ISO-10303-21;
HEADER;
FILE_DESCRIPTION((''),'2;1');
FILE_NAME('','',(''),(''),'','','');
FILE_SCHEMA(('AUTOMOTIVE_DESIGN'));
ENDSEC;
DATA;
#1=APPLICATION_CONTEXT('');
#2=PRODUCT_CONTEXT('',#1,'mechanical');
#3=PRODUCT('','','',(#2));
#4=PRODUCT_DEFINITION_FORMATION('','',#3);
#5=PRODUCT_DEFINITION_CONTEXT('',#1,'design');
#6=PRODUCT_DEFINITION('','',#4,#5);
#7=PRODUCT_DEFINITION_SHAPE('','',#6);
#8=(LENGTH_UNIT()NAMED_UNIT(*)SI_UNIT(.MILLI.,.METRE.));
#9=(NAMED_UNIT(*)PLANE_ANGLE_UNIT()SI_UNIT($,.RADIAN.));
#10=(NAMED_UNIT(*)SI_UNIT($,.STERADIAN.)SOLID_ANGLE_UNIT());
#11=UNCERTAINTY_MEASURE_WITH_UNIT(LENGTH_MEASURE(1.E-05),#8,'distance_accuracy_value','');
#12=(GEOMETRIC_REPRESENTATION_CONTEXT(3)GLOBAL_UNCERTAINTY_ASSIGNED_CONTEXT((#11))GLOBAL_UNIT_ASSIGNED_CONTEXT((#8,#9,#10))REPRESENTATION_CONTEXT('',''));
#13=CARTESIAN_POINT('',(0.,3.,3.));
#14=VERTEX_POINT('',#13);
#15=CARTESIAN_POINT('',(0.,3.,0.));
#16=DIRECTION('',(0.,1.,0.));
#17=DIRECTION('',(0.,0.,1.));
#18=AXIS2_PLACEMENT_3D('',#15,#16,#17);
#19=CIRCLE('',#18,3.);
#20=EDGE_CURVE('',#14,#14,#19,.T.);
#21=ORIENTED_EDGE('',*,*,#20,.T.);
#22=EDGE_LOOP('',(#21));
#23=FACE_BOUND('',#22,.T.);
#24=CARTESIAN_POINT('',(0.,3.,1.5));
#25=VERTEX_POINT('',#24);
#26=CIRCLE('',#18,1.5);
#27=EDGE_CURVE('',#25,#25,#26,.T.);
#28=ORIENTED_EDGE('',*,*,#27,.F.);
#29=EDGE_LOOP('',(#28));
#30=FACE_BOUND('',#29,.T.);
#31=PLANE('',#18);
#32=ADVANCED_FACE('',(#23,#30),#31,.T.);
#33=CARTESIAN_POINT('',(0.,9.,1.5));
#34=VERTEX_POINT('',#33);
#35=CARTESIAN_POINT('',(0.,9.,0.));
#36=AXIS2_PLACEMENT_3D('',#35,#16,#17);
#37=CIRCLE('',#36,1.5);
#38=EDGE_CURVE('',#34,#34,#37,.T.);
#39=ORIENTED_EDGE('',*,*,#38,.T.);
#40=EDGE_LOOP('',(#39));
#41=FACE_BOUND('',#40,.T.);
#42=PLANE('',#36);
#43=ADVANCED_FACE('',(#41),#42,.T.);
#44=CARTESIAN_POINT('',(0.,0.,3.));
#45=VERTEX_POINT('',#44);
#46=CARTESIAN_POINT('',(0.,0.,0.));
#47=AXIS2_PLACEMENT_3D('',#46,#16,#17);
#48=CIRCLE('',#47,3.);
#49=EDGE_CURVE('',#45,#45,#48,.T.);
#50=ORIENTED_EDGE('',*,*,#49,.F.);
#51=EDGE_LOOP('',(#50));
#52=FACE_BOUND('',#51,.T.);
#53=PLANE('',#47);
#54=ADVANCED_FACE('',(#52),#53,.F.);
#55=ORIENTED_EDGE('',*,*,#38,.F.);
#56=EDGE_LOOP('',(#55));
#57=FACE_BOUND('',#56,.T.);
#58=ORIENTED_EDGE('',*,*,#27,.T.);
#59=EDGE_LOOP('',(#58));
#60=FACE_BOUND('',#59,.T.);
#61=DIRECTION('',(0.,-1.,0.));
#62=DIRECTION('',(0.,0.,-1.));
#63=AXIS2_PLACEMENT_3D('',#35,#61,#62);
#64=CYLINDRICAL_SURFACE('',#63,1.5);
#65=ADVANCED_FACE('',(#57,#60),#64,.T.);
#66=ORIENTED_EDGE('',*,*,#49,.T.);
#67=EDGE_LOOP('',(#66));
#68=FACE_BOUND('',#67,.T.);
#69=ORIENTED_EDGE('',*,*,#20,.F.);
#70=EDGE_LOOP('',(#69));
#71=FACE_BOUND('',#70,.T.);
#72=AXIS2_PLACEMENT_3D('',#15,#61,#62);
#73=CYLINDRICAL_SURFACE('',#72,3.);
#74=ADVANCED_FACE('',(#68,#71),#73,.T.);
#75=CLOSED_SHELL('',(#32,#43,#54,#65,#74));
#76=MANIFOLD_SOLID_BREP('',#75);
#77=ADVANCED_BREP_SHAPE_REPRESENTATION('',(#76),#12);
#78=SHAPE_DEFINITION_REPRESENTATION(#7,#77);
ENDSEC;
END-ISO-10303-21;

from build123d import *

# Parameters (mm, degrees)
SKETCH_2_R      = 3
EXTRUDE_1_DEPTH = 3
SKETCH_3_R      = 1.5
EXTRUDE_2_DEPTH = 6


with BuildPart() as part:
    # 草图2 → 凸台-拉伸1 (new body)
    with BuildSketch(Plane(origin=(0, 0, 0), x_dir=(1, 0, 0), z_dir=(0, 1, 0))):
        with Locations(Location((0, 0, 0), (0, 0, 270))):
            Circle(SKETCH_2_R)
    extrude(amount=EXTRUDE_1_DEPTH)

    # 草图3 → 凸台-拉伸2 (add)
    with BuildSketch(Plane(origin=(0, 3, 0), x_dir=(1, 0, 0), z_dir=(0, 1, 0))):
        with Locations(Location((0, 0, 0), (0, 0, 270))):
            Circle(SKETCH_3_R)
    extrude(amount=EXTRUDE_2_DEPTH)


solid = part.part
